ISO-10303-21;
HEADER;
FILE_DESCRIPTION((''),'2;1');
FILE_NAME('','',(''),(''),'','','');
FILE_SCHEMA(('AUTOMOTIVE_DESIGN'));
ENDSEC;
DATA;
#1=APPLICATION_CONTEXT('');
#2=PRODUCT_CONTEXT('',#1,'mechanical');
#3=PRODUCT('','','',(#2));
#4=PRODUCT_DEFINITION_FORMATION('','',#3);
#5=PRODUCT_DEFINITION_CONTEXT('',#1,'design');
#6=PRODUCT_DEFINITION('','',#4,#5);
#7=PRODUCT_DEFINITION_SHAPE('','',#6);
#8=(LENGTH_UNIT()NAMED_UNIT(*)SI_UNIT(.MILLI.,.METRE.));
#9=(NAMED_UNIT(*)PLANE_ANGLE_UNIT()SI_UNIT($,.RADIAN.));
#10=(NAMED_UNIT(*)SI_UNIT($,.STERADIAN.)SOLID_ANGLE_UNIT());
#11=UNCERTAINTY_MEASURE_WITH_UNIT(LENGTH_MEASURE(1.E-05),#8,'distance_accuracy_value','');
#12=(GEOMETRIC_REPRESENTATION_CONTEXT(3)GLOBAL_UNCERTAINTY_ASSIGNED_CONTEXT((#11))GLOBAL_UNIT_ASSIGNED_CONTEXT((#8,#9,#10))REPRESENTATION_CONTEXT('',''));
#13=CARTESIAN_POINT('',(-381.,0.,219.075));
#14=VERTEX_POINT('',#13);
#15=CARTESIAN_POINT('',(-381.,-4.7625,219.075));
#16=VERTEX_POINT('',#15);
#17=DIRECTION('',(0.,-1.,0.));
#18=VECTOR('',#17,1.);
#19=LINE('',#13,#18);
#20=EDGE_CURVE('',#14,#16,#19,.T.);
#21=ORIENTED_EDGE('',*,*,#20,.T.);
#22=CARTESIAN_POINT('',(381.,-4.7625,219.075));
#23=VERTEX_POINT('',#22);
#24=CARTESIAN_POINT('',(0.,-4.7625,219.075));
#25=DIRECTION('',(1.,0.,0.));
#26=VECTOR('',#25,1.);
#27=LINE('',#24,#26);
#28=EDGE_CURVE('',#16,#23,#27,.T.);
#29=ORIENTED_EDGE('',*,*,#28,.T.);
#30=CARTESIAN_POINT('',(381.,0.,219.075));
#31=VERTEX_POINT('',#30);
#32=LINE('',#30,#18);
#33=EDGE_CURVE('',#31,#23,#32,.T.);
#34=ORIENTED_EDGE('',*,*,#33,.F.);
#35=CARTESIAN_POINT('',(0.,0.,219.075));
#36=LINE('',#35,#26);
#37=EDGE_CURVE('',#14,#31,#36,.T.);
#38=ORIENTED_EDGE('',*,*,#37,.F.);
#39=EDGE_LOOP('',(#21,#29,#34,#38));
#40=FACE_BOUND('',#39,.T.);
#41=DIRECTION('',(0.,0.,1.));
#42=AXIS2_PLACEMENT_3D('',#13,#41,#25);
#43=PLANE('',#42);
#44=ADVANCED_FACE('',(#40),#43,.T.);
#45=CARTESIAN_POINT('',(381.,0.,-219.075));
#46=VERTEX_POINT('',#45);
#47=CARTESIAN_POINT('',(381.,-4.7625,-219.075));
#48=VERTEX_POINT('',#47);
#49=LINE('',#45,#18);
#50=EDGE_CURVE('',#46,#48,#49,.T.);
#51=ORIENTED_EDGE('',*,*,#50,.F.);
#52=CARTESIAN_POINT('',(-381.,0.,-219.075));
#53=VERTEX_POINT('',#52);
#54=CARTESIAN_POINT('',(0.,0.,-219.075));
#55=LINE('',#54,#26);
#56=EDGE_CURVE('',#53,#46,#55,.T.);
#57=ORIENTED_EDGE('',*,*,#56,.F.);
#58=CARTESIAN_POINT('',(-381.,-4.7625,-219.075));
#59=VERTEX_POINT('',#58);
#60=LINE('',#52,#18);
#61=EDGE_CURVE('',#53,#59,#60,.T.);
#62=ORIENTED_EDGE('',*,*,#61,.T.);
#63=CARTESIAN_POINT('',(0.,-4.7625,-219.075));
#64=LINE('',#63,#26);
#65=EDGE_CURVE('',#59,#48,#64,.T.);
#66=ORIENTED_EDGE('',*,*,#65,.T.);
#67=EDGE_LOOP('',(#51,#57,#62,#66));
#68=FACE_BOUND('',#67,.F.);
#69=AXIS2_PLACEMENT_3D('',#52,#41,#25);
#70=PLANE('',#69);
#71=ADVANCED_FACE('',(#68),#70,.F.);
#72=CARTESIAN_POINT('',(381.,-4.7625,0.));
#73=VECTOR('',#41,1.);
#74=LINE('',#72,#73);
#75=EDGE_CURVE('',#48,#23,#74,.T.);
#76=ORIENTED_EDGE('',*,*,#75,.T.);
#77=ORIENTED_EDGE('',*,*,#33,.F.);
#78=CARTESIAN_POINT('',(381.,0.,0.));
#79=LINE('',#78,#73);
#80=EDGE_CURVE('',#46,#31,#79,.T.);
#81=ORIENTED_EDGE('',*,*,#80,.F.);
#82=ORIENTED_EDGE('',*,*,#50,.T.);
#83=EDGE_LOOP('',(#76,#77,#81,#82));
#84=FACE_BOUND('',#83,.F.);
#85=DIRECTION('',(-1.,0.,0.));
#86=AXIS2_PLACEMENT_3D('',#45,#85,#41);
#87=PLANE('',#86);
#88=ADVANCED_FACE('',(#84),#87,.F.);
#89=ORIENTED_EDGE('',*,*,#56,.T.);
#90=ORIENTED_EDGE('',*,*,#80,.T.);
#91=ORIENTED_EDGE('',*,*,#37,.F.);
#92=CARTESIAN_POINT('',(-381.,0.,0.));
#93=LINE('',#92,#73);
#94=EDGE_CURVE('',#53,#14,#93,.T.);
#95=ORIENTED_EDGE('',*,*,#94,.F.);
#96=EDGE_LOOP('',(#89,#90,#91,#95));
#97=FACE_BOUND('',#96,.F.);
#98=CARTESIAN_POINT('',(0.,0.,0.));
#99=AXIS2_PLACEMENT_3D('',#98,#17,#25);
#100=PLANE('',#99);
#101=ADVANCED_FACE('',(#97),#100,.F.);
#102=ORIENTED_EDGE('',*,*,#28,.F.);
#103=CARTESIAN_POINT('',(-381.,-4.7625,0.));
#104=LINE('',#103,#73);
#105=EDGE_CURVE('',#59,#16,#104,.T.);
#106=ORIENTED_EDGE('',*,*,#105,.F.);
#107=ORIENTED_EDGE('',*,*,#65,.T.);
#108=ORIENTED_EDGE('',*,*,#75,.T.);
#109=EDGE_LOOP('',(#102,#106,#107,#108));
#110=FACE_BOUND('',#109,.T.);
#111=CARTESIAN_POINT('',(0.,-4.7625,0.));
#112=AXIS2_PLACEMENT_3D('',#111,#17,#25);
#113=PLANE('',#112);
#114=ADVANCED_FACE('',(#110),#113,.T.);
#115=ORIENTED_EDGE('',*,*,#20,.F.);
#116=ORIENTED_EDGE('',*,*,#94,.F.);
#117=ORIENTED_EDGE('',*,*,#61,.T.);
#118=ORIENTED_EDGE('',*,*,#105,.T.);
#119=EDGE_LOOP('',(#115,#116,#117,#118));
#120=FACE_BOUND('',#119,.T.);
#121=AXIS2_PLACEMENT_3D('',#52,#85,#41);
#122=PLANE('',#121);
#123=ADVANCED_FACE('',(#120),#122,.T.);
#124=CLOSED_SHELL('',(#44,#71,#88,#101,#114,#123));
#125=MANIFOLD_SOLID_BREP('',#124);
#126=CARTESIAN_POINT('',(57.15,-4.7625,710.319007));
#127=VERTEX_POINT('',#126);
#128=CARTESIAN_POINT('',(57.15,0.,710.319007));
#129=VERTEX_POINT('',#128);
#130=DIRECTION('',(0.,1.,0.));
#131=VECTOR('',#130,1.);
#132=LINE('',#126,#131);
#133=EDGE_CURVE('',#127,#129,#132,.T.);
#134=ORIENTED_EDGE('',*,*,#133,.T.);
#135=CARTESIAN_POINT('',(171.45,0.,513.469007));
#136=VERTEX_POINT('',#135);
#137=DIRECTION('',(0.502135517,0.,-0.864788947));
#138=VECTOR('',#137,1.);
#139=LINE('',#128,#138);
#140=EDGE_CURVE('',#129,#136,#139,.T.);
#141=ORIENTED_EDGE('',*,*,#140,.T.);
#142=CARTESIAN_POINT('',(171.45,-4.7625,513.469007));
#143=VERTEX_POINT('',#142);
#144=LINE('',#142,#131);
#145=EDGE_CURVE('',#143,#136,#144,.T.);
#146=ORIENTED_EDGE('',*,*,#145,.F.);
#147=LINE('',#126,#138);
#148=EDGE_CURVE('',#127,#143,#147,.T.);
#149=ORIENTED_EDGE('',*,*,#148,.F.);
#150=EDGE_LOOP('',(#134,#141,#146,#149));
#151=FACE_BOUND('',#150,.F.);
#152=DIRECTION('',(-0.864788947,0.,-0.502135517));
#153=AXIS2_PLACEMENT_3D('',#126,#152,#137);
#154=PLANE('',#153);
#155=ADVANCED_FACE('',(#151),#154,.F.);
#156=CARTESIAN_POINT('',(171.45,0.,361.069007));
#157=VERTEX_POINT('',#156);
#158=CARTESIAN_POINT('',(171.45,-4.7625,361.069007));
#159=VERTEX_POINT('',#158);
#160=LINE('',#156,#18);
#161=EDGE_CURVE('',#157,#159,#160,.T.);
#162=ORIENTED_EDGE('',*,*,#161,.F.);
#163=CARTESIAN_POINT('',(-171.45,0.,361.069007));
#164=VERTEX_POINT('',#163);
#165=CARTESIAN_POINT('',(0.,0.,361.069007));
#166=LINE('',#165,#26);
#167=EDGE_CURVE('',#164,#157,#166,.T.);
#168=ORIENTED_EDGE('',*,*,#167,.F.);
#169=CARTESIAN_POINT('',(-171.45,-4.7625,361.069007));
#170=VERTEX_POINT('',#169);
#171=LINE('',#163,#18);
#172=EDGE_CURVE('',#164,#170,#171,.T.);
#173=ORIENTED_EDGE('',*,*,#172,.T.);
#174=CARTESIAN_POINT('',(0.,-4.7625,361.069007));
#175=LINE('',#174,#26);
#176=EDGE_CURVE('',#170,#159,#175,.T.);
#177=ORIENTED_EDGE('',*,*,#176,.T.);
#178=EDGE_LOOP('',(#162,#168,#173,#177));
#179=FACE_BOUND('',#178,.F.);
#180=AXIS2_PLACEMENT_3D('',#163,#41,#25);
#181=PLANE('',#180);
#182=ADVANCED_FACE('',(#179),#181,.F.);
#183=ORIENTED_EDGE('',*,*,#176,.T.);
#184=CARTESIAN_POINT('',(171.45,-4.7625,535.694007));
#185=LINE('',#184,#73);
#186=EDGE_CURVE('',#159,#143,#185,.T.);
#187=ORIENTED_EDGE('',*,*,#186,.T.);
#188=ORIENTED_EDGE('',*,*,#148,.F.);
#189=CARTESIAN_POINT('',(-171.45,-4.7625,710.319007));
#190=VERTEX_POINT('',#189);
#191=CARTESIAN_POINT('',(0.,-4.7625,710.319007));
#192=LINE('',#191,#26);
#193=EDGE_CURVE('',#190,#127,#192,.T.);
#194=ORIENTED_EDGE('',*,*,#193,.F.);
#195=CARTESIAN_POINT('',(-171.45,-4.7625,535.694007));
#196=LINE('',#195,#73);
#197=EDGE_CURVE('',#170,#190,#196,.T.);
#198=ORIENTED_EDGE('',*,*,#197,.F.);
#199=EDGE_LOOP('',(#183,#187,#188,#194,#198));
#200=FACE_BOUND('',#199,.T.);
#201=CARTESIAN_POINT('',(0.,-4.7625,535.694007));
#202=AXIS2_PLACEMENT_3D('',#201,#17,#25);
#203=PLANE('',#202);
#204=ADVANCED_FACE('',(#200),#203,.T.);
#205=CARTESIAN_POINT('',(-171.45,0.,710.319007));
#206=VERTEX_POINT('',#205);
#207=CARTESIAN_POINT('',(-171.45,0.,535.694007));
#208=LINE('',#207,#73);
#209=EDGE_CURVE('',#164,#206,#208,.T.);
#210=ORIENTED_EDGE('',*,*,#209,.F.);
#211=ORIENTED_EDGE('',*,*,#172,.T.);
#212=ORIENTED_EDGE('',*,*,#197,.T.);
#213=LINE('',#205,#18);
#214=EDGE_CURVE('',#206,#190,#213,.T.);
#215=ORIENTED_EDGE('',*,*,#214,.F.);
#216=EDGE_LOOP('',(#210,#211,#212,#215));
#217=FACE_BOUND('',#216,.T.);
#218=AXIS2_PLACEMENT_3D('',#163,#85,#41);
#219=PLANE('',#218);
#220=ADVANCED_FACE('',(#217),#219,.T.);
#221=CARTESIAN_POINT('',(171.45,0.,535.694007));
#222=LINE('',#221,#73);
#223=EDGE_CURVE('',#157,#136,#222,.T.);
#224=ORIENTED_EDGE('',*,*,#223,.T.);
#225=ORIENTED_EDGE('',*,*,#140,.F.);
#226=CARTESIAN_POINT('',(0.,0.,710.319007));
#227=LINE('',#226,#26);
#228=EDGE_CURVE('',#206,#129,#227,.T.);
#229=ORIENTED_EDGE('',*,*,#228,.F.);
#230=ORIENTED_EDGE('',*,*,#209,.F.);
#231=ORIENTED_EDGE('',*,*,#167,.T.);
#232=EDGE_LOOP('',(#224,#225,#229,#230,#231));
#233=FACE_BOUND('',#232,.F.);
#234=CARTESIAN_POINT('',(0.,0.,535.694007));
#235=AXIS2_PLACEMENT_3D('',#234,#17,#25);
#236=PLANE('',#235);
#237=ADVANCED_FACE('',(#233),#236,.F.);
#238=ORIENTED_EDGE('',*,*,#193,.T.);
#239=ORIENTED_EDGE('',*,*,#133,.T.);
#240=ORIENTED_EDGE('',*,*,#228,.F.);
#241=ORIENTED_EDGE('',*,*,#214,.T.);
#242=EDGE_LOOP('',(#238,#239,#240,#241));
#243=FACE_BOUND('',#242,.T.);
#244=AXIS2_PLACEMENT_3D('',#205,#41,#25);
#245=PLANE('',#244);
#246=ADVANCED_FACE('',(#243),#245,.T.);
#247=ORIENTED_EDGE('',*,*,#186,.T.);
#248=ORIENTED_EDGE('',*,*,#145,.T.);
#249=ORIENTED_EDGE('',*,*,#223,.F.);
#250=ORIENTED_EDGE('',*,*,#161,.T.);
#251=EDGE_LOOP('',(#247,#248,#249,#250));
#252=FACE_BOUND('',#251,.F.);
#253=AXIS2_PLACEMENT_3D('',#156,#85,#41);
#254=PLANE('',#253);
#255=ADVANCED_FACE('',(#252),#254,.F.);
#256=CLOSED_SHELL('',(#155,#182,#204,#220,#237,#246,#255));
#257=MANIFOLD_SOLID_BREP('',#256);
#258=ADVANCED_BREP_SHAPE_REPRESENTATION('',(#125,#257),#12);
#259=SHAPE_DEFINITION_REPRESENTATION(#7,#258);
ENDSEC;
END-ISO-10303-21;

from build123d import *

# Parameters (mm, degrees)
F0_W     = 762
F0_H     = 438.15
F1_DEPTH = 4.7625
F2_W     = 342.9
F2_H     = 349.25
F3_DEPTH = 4.7625
F5_DEPTH = 4.7625


with BuildPart() as f1:
    # F0 (on Front) → F1 (new body)
    with BuildSketch(Plane.XZ):
        Rectangle(F0_W, F0_H)
    extrude(amount=F1_DEPTH)


with BuildPart() as f3:
    # F2 (on Front) → F3 (new body)
    with BuildSketch(Plane.XZ):
        with Locations((0, 535.694007)):
            Rectangle(F2_W, F2_H)
    extrude(amount=F3_DEPTH)

    # F4 (on face) → F5 (cut, through all)
    with BuildSketch(Plane.XZ.offset(4.7625)):
        Polygon((57.15, 710.319007), (171.45, 513.469007), (171.45, 710.319007), align=None)
    extrude(amount=-F5_DEPTH, mode=Mode.SUBTRACT)


solid = Compound([f1.part, f3.part])
